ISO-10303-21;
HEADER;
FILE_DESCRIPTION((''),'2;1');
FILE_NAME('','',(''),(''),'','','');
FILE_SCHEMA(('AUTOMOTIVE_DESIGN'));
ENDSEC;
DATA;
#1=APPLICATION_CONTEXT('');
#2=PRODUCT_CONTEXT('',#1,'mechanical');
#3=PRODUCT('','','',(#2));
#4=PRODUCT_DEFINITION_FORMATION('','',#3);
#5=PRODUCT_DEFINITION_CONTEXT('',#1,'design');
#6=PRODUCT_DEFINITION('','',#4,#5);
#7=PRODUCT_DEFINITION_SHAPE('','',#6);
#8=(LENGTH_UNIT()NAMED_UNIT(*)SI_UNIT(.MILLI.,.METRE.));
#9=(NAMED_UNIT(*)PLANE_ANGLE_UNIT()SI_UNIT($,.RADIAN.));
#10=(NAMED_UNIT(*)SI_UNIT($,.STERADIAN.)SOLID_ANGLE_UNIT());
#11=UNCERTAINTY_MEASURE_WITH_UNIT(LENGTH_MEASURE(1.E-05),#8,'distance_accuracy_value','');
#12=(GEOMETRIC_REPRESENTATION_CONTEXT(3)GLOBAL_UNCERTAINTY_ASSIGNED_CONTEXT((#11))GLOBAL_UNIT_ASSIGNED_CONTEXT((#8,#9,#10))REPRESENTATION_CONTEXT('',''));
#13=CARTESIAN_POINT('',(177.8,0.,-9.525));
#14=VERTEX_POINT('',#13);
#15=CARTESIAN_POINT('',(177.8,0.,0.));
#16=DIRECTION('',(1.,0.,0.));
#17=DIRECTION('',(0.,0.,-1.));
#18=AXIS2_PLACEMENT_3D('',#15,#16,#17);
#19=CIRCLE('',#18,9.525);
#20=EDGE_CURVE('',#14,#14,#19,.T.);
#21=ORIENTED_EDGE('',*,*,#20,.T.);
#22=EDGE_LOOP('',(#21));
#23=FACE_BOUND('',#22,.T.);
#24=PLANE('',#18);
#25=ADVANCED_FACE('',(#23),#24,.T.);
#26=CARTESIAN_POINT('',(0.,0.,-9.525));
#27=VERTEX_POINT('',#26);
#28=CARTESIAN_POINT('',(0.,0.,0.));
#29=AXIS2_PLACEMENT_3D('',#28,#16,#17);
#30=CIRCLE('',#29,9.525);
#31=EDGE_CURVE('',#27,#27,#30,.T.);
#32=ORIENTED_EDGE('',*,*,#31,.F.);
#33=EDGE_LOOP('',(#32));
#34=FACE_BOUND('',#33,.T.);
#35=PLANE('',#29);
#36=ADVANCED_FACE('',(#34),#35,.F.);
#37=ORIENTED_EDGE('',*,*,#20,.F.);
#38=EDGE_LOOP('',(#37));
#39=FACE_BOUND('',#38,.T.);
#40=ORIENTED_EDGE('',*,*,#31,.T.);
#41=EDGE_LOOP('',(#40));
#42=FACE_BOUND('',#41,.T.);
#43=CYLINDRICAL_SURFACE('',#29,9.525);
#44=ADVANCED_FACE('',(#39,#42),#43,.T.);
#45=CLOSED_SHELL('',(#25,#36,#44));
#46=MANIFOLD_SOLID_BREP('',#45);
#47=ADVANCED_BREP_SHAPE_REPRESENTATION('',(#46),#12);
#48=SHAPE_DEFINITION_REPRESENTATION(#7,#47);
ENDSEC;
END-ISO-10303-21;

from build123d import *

# Parameters (mm, degrees)
CROQUIS2_R = 9.525


with BuildPart() as part:
    # Barrer1: sweep along a path in Croquis1
    with BuildLine(Plane.XY) as barrer1_path:
        Line((0, 0), (177.8, 0))
    # Croquis2 → Barrer1 (sweep)
    with BuildSketch(Plane(origin=(0, 0, 0), x_dir=(0, 0, -1), z_dir=(1, 0, 0))):
        Circle(CROQUIS2_R)
    sweep(path=barrer1_path.line)


solid = part.part
